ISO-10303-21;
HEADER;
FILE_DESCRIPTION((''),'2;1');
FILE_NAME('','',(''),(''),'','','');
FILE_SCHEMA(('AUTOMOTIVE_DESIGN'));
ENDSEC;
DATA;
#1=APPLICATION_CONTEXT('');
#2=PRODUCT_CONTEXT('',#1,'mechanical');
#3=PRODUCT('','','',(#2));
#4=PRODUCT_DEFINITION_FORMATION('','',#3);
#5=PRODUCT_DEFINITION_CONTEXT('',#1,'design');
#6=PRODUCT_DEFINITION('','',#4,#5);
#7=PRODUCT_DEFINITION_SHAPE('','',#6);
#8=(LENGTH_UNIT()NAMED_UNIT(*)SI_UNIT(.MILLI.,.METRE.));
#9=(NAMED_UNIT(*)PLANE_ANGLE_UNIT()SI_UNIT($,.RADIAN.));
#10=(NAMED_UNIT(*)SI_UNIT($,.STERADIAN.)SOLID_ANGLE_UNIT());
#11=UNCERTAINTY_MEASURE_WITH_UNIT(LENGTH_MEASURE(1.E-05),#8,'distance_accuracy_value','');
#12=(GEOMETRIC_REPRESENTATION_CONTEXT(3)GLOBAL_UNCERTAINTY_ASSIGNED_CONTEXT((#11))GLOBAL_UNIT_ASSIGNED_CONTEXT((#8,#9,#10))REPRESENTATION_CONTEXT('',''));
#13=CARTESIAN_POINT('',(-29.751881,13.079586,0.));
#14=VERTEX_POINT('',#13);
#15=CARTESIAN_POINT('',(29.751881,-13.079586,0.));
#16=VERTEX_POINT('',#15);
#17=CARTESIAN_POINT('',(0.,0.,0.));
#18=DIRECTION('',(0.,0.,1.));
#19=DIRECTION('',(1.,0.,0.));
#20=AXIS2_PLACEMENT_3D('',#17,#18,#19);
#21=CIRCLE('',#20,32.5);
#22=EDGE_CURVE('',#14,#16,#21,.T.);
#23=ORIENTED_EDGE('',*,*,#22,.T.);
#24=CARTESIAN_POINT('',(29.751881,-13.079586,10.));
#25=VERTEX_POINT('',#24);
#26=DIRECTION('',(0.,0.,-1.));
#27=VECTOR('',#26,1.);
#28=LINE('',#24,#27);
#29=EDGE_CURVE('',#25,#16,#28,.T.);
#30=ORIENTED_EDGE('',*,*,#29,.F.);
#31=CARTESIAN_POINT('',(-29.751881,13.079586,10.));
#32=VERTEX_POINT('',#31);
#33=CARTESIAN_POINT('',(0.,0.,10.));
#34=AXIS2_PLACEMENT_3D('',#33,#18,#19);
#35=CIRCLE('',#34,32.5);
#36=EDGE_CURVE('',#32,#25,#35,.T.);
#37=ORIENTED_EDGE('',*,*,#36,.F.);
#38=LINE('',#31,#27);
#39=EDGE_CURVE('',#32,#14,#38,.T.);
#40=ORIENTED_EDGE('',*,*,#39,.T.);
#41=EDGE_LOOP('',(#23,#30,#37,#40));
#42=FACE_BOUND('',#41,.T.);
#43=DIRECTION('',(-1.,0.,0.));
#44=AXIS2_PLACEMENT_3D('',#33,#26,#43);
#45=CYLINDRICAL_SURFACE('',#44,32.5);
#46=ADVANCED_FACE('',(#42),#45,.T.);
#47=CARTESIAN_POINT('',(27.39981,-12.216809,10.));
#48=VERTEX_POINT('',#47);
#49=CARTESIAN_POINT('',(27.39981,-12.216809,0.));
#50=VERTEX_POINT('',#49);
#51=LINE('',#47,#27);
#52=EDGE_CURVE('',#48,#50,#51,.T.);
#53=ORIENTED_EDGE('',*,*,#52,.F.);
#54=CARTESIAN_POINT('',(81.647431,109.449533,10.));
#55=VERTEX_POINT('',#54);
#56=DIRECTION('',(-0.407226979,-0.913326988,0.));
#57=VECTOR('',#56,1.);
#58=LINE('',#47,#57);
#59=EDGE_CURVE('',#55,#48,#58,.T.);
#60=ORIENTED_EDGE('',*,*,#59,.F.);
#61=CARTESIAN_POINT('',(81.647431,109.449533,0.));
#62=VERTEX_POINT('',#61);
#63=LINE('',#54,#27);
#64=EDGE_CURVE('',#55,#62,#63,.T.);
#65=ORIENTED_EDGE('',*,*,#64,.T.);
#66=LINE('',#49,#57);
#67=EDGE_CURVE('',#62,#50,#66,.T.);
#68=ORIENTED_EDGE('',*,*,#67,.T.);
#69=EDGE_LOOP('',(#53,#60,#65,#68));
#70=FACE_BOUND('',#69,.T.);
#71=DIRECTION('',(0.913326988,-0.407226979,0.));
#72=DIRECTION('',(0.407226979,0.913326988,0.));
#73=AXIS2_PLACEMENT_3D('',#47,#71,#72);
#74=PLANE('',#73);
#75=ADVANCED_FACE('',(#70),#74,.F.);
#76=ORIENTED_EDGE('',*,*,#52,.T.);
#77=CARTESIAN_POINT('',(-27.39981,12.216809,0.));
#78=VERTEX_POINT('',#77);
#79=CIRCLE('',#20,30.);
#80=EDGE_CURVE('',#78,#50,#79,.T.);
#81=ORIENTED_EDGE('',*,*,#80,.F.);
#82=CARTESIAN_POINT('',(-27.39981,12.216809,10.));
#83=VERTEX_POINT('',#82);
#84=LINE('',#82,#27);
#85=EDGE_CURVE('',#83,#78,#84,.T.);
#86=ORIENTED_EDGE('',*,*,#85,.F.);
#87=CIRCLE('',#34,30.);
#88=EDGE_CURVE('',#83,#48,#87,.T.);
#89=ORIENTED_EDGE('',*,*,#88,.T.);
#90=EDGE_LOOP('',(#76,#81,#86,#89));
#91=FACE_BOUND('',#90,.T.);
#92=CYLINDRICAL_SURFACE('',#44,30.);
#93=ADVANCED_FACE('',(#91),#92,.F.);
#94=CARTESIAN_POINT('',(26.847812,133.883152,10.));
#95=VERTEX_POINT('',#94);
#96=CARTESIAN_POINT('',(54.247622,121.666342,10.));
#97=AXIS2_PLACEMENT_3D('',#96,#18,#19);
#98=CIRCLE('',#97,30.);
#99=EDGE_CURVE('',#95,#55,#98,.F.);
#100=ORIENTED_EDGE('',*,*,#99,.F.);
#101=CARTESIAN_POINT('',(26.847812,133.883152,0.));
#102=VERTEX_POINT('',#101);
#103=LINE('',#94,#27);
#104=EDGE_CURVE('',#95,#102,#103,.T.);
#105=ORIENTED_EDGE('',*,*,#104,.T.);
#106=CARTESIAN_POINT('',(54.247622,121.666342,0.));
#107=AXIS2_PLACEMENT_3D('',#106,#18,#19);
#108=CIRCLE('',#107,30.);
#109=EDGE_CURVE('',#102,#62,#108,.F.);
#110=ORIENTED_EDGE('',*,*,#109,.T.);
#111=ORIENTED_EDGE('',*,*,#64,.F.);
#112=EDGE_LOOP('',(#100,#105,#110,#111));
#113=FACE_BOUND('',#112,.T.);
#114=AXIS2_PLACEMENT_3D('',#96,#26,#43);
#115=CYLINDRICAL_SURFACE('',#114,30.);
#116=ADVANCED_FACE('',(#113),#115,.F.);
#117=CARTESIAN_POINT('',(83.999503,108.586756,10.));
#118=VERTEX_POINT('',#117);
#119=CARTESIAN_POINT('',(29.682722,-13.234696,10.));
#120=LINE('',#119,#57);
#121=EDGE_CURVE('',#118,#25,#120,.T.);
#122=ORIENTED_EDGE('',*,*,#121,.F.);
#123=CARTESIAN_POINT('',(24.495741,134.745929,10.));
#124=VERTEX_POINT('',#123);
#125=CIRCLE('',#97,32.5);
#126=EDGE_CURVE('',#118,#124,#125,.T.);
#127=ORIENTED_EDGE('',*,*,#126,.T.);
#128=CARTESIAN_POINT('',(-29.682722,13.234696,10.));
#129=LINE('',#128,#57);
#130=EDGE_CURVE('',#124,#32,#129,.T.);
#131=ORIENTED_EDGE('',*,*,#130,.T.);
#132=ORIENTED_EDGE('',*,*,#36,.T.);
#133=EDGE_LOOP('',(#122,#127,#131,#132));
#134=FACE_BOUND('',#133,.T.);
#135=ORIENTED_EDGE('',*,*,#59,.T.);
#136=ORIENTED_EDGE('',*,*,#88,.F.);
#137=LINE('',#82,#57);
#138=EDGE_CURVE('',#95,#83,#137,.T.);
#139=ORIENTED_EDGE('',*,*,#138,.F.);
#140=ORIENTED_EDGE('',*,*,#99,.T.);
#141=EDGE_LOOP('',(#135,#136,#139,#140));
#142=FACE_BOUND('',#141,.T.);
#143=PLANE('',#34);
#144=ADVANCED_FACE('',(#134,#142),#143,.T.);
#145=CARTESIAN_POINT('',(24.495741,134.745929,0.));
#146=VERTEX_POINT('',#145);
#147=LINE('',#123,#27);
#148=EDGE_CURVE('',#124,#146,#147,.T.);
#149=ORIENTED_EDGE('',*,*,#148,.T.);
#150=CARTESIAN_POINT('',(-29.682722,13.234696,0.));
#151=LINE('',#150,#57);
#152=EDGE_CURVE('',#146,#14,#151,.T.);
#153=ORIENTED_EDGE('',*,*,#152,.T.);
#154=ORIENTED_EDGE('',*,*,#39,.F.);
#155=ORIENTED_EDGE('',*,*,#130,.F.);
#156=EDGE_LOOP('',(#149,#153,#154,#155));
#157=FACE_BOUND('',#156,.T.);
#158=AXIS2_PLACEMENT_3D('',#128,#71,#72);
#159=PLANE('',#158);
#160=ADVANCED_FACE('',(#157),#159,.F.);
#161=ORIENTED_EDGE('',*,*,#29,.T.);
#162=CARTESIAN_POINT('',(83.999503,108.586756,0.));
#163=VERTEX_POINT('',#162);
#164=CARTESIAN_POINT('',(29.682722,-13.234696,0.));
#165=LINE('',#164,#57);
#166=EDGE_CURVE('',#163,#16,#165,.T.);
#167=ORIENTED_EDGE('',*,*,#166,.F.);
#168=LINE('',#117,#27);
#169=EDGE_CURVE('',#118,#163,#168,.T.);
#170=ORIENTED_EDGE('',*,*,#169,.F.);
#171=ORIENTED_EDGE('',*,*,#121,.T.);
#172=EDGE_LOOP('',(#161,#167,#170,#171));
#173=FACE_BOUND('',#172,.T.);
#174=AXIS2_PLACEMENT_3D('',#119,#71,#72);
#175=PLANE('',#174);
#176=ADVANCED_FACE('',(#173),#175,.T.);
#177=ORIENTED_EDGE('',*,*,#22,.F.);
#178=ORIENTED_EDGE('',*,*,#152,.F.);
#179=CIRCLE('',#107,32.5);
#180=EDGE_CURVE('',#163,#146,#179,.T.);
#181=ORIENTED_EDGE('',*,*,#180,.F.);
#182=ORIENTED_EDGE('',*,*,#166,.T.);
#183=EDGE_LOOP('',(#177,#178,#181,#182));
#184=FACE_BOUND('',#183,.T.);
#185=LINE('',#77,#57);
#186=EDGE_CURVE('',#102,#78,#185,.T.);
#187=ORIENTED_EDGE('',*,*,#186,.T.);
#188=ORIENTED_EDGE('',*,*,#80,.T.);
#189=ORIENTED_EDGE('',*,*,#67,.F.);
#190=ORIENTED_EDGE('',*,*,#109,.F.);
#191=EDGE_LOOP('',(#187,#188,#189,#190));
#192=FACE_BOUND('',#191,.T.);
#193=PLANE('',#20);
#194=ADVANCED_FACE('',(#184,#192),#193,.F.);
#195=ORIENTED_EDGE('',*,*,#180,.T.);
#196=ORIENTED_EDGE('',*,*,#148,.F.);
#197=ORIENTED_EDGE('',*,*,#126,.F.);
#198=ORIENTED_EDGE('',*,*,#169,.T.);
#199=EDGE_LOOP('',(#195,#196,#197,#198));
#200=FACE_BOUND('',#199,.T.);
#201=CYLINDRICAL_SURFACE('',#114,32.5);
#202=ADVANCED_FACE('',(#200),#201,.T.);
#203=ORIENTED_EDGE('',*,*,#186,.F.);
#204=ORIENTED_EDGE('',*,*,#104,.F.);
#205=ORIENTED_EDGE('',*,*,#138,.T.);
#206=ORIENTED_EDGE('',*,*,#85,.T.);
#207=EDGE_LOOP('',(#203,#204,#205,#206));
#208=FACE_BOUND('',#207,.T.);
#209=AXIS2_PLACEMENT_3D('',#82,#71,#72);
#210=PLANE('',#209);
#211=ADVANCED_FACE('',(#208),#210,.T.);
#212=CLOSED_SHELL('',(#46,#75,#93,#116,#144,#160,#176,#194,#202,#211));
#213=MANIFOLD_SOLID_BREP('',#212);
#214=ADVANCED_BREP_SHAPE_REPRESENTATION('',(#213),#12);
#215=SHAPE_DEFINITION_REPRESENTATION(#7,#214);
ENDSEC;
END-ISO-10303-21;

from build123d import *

# Parameters (mm, degrees)
EXTRUDE_1_DEPTH = 10


with BuildPart() as part:
    # 草图1 → 凸台-拉伸1 (new body)
    with BuildSketch(Plane.XY):
        with BuildLine():
            Line((26.783972095, 133.739971334), (26.847812167, 133.883151585))
            ThreePointArc((26.847812167, 133.883151585), (66.392800103, 149.097978029), (81.71089656, 109.59287791))
            Line((81.71089656, 109.59287791), (83.99950279, 108.586755885))
            ThreePointArc((83.99950279, 108.586755885), (67.327208125, 151.41822318), (24.49574083, 134.745928515))
            Line((24.49574083, 134.745928515), (26.783972095, 133.739971334))
        make_face()
        with BuildLine():
            ThreePointArc((-27.46327475, 12.073464291), (-27.431635829, 12.145178293), (-27.399809643, 12.216809384))
            Line((-27.399809643, 12.216809384), (26.783972095, 133.739971334))
            Line((26.783972095, 133.739971334), (24.49574083, 134.745928515))
            Line((24.49574083, 134.745928515), (-29.75188098, 13.079586315))
            Line((-29.75188098, 13.079586315), (-27.46327475, 12.073464291))
        make_face()
        with BuildLine():
            Line((81.647431453, 109.449532816), (27.463649715, -12.073629134))
            Line((27.463649715, -12.073629134), (29.75188098, -13.079586315))
            Line((29.75188098, -13.079586315), (83.99950279, 108.586755885))
            Line((83.99950279, 108.586755885), (81.71089656, 109.59287791))
            ThreePointArc((81.71089656, 109.59287791), (81.679257639, 109.521163908), (81.647431453, 109.449532816))
        make_face()
        with BuildLine():
            Line((27.463649715, -12.073629134), (27.399809643, -12.216809384))
            ThreePointArc((27.399809643, -12.216809384), (-12.145178293, -27.431635829), (-27.46327475, 12.073464291))
            Line((-27.46327475, 12.073464291), (-29.75188098, 13.079586315))
            ThreePointArc((-29.75188098, 13.079586315), (-13.079586315, -29.75188098), (29.75188098, -13.079586315))
            Line((29.75188098, -13.079586315), (27.463649715, -12.073629134))
        make_face()
    extrude(amount=EXTRUDE_1_DEPTH)


solid = part.part
